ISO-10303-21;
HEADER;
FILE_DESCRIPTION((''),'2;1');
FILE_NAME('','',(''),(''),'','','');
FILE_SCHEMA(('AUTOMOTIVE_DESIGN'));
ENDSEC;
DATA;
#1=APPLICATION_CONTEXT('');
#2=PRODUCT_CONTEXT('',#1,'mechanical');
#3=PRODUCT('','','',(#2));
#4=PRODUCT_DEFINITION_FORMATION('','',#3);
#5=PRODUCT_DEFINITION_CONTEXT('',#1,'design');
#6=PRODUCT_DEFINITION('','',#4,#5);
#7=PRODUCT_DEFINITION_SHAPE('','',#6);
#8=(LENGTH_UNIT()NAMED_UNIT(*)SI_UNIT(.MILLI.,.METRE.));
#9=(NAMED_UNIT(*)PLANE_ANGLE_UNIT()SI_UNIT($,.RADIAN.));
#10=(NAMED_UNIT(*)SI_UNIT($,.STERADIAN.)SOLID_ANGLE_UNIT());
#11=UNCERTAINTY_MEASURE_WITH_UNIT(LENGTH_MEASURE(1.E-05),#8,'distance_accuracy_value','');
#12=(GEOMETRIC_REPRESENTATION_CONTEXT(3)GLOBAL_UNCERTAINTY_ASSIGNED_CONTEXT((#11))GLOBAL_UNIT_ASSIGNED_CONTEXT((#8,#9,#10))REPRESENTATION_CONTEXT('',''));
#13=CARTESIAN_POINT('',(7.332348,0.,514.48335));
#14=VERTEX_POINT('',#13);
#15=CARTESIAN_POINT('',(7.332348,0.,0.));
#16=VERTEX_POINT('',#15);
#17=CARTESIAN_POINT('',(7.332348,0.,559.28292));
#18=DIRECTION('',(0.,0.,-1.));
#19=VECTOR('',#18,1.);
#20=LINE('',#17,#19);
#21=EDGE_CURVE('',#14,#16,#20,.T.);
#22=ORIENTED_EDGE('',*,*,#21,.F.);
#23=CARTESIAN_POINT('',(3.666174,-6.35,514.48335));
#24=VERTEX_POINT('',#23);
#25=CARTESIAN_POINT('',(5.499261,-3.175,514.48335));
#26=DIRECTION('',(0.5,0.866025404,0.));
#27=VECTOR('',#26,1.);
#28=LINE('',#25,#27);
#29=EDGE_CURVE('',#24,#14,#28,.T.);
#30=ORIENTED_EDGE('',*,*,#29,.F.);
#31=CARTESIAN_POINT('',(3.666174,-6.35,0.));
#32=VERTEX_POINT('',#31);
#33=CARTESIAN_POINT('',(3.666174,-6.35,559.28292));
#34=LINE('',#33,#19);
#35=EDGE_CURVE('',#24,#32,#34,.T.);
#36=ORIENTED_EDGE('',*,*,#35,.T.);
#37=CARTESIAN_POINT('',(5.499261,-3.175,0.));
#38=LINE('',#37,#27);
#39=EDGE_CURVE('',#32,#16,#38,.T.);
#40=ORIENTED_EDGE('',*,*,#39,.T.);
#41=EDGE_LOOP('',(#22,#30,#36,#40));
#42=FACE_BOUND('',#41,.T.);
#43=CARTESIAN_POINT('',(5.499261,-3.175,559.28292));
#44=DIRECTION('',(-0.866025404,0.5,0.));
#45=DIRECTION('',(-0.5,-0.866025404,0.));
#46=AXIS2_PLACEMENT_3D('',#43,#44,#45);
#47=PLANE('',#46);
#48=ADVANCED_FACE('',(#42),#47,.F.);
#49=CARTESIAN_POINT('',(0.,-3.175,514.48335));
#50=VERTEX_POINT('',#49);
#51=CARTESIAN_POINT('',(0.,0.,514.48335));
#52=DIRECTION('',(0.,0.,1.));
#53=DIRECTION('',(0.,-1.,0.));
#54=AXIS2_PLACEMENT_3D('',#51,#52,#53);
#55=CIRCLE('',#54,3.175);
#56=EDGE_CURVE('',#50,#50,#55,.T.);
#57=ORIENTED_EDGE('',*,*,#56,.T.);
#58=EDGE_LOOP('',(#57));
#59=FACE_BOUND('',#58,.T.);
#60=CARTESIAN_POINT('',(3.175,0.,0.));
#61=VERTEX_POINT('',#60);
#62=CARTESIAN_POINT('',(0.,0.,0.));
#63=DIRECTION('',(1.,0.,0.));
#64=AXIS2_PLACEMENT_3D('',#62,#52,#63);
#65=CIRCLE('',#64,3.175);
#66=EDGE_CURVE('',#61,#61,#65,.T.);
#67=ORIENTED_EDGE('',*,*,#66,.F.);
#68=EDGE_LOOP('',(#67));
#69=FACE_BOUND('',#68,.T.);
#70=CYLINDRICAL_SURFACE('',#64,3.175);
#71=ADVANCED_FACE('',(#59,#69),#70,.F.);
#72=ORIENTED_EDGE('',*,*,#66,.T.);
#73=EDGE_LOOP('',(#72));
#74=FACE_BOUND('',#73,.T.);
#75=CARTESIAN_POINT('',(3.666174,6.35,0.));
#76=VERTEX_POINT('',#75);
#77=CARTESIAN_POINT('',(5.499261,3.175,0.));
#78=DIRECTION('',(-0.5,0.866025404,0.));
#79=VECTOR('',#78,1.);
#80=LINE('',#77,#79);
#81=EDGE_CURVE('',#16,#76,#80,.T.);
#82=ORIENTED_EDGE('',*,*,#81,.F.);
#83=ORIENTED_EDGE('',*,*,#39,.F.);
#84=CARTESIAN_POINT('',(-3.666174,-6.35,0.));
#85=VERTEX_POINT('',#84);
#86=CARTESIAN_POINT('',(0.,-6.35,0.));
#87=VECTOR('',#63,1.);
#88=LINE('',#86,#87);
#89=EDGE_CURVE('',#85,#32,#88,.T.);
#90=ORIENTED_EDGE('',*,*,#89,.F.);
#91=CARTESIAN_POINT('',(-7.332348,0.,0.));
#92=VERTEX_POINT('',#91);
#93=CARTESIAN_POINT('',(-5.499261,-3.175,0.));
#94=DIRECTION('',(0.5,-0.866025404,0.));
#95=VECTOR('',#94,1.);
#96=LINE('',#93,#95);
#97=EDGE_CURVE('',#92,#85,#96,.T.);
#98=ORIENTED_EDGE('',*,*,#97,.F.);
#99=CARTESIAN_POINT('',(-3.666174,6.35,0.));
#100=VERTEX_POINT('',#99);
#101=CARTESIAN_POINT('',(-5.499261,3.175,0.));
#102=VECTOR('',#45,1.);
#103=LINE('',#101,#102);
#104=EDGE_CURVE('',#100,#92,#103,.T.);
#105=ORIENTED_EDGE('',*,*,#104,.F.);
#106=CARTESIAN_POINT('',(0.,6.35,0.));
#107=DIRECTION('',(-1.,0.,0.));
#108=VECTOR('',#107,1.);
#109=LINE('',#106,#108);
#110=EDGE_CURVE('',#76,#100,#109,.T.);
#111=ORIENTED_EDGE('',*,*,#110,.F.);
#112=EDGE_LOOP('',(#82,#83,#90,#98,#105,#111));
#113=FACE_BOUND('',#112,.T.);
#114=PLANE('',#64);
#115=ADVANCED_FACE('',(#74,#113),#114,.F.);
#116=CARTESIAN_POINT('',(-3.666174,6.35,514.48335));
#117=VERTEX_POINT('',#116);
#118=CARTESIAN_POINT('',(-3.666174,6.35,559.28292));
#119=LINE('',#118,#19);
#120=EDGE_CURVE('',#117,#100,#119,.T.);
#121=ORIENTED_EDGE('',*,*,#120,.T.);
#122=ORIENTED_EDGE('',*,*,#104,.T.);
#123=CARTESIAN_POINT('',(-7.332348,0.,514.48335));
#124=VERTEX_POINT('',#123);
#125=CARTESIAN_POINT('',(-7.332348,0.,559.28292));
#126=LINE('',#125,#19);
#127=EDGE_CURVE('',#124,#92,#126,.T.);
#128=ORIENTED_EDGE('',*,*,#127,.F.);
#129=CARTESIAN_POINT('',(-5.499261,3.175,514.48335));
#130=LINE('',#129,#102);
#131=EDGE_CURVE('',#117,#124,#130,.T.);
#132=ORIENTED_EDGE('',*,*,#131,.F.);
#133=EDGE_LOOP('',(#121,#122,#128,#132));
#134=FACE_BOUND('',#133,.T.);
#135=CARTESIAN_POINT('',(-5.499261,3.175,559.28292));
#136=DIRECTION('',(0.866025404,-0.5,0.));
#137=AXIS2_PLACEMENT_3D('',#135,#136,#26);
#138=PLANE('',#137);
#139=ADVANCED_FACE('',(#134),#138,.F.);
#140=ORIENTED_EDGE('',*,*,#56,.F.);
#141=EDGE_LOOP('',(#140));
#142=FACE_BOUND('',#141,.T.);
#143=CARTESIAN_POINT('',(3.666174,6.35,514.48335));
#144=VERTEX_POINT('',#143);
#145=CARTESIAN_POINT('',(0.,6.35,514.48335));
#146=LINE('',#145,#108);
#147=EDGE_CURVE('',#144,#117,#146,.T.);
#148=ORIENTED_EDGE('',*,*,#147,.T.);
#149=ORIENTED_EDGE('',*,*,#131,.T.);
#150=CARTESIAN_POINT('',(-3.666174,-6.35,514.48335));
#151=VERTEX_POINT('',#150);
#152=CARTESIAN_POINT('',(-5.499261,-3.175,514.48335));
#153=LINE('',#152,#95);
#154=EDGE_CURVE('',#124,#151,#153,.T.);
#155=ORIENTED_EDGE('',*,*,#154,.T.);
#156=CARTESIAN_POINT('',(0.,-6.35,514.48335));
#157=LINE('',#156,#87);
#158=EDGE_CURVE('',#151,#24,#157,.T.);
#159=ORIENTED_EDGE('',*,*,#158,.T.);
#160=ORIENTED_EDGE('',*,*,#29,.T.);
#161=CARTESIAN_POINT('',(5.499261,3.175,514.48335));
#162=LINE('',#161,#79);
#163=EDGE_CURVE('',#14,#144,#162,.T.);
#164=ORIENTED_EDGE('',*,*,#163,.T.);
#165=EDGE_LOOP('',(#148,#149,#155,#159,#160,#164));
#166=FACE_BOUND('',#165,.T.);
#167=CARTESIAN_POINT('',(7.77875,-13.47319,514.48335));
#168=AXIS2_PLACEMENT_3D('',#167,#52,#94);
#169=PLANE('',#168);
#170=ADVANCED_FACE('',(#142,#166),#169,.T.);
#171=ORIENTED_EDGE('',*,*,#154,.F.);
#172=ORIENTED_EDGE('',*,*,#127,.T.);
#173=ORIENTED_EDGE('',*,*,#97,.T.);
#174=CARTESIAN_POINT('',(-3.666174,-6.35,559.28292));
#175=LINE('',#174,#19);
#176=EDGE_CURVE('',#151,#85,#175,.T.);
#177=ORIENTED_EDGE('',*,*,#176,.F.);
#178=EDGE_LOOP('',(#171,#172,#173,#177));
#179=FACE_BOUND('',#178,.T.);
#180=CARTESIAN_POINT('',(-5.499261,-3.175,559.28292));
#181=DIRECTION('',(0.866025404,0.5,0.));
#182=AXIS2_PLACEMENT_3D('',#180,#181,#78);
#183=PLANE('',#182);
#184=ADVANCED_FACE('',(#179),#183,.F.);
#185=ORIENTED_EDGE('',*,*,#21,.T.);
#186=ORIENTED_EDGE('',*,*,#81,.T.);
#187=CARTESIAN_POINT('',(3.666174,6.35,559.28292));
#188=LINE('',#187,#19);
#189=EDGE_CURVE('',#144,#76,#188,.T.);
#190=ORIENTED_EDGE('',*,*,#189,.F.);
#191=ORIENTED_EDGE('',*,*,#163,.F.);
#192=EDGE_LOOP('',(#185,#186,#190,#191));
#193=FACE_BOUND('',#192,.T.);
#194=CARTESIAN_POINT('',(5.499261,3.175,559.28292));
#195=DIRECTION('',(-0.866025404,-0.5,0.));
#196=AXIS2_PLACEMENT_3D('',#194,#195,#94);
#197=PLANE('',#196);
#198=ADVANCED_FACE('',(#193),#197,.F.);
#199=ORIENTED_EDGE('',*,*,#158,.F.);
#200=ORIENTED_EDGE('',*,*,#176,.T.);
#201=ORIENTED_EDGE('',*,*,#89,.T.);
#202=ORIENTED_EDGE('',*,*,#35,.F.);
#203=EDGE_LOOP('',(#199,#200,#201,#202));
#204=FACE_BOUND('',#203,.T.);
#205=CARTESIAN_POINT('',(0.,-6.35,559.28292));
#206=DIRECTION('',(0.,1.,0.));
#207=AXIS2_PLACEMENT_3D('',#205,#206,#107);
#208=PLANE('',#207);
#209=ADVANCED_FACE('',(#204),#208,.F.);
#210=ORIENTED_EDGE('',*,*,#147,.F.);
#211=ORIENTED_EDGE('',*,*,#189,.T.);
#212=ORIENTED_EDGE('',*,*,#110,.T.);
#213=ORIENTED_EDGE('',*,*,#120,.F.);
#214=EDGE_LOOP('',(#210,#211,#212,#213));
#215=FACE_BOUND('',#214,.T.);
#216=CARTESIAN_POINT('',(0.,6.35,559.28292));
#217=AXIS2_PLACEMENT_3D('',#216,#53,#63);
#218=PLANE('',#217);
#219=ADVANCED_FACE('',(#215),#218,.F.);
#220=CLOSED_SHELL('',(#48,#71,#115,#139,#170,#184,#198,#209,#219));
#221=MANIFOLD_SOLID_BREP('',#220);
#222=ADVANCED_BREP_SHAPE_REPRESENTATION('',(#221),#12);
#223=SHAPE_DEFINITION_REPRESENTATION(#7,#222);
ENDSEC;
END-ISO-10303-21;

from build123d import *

# Parameters (mm, degrees)
BOSS_EXTRUDE1_DEPTH     = 514.48335
SKETCH2_R               = 3.175
CUT_EXTRUDE1_DEPTH      = 1
CUT_EXTRUDE1_DEPTH_BACK = 515.48335


with BuildPart() as part:
    # Sketch1 → Boss-Extrude1 (new body)
    with BuildSketch(Plane.XY):
        Polygon((-7.332348419, 0), (-3.666174209, -6.35), (3.666174209, -6.35), (7.332348419, 0), (3.666174209, 6.35), (-3.666174209, 6.35), align=None)
    extrude(amount=BOSS_EXTRUDE1_DEPTH)

    # Sketch2 → Cut-Extrude1 (cut, two sides)
    with BuildSketch(Plane.XY.offset(514.48335)) as cut_extrude1_sk:
        Circle(SKETCH2_R)
    extrude(amount=CUT_EXTRUDE1_DEPTH, mode=Mode.SUBTRACT)
    extrude(cut_extrude1_sk.sketch, amount=-CUT_EXTRUDE1_DEPTH_BACK, mode=Mode.SUBTRACT)


solid = part.part
